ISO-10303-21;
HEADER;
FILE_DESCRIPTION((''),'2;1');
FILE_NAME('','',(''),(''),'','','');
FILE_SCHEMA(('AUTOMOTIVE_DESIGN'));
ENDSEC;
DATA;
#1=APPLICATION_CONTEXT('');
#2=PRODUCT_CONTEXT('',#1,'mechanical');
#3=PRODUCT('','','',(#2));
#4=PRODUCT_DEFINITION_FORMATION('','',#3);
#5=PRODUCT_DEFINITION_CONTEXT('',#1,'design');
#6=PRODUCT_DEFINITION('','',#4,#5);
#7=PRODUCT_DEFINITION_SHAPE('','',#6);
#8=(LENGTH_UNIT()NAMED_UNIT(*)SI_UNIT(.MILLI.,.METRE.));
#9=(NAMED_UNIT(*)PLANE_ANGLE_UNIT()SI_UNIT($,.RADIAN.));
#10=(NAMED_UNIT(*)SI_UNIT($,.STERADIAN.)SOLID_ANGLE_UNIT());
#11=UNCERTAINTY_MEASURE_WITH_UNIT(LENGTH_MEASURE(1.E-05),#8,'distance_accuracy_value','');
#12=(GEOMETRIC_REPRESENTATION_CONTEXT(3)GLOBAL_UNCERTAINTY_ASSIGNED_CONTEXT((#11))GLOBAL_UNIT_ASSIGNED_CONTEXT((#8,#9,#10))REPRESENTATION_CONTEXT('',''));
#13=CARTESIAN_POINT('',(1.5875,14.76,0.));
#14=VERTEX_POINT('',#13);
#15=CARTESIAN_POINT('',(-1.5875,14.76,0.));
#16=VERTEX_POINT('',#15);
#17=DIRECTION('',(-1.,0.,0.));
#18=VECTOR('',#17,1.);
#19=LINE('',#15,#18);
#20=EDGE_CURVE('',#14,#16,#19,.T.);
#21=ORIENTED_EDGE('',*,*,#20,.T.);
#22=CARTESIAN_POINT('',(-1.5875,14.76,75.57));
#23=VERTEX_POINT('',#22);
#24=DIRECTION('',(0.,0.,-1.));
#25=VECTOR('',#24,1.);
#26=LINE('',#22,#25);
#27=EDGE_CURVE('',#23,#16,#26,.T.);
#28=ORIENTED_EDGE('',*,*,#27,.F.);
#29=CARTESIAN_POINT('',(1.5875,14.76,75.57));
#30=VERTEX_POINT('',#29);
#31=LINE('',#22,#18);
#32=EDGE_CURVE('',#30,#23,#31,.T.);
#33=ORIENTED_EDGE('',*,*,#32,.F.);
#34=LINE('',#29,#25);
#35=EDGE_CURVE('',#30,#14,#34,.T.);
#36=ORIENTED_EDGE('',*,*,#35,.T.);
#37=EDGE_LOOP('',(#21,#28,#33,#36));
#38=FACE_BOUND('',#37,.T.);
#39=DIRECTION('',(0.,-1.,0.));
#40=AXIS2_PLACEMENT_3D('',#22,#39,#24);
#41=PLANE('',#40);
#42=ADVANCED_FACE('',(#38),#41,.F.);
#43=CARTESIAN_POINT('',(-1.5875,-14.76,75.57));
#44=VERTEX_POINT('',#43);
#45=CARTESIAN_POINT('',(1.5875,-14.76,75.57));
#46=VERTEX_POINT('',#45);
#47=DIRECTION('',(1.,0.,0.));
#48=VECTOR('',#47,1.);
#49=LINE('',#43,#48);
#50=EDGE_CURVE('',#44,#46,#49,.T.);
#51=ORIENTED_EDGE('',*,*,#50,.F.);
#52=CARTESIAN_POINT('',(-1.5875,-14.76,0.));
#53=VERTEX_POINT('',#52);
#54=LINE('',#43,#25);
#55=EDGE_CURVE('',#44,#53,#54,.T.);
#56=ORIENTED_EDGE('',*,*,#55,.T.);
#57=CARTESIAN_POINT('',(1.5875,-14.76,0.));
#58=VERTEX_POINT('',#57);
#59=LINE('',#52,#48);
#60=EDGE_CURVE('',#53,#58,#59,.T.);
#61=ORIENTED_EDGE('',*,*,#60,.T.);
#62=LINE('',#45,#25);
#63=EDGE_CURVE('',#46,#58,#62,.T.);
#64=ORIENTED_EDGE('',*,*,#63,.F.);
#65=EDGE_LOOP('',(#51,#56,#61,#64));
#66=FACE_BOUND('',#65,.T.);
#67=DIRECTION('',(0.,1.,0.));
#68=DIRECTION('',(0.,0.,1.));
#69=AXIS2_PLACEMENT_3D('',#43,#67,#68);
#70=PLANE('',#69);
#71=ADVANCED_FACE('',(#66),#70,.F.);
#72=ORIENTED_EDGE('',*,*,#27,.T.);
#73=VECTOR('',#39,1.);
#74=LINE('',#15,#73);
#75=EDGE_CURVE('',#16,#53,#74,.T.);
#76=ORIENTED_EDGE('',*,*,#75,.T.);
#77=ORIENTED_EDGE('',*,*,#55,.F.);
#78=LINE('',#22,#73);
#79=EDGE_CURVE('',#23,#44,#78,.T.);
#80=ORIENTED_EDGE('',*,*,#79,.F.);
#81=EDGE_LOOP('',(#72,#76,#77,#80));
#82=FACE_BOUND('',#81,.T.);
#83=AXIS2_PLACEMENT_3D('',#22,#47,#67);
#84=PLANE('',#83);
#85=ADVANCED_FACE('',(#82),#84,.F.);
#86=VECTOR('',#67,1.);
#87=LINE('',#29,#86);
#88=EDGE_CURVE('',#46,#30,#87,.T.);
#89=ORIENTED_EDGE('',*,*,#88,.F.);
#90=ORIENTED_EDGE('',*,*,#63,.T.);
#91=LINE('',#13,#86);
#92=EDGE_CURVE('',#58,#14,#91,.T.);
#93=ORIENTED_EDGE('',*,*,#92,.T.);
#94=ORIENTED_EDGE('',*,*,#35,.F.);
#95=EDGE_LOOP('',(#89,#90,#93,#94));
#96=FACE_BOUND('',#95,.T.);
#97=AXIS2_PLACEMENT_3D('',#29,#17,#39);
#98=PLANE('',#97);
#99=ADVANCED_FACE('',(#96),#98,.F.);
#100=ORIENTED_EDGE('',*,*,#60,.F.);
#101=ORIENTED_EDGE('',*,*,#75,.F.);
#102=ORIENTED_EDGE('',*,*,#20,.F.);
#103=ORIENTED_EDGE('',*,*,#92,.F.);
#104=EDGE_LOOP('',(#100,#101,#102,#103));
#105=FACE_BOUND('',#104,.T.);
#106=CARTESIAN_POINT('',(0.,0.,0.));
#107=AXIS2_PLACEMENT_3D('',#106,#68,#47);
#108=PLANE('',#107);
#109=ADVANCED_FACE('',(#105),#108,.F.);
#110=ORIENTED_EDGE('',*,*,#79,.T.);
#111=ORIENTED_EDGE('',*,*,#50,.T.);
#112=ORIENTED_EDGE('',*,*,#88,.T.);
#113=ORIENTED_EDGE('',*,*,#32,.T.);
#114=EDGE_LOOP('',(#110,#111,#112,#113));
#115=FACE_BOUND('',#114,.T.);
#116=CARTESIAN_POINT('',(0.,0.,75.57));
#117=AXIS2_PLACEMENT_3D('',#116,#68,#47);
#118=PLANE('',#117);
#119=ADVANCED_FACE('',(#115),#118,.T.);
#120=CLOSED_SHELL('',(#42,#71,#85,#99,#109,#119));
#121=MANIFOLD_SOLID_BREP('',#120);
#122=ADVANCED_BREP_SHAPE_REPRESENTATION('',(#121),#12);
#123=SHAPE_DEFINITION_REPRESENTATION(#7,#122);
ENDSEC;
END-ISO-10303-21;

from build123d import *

# Parameters (mm, degrees)
SKETCH1_W           = 3.175
SKETCH1_H           = 29.52
BOSS_EXTRUDE1_DEPTH = 75.57


with BuildPart() as part:
    # Sketch1 → Boss-Extrude1 (new body)
    with BuildSketch(Plane.XY):
        Rectangle(SKETCH1_W, SKETCH1_H)
    extrude(amount=BOSS_EXTRUDE1_DEPTH)


solid = part.part
